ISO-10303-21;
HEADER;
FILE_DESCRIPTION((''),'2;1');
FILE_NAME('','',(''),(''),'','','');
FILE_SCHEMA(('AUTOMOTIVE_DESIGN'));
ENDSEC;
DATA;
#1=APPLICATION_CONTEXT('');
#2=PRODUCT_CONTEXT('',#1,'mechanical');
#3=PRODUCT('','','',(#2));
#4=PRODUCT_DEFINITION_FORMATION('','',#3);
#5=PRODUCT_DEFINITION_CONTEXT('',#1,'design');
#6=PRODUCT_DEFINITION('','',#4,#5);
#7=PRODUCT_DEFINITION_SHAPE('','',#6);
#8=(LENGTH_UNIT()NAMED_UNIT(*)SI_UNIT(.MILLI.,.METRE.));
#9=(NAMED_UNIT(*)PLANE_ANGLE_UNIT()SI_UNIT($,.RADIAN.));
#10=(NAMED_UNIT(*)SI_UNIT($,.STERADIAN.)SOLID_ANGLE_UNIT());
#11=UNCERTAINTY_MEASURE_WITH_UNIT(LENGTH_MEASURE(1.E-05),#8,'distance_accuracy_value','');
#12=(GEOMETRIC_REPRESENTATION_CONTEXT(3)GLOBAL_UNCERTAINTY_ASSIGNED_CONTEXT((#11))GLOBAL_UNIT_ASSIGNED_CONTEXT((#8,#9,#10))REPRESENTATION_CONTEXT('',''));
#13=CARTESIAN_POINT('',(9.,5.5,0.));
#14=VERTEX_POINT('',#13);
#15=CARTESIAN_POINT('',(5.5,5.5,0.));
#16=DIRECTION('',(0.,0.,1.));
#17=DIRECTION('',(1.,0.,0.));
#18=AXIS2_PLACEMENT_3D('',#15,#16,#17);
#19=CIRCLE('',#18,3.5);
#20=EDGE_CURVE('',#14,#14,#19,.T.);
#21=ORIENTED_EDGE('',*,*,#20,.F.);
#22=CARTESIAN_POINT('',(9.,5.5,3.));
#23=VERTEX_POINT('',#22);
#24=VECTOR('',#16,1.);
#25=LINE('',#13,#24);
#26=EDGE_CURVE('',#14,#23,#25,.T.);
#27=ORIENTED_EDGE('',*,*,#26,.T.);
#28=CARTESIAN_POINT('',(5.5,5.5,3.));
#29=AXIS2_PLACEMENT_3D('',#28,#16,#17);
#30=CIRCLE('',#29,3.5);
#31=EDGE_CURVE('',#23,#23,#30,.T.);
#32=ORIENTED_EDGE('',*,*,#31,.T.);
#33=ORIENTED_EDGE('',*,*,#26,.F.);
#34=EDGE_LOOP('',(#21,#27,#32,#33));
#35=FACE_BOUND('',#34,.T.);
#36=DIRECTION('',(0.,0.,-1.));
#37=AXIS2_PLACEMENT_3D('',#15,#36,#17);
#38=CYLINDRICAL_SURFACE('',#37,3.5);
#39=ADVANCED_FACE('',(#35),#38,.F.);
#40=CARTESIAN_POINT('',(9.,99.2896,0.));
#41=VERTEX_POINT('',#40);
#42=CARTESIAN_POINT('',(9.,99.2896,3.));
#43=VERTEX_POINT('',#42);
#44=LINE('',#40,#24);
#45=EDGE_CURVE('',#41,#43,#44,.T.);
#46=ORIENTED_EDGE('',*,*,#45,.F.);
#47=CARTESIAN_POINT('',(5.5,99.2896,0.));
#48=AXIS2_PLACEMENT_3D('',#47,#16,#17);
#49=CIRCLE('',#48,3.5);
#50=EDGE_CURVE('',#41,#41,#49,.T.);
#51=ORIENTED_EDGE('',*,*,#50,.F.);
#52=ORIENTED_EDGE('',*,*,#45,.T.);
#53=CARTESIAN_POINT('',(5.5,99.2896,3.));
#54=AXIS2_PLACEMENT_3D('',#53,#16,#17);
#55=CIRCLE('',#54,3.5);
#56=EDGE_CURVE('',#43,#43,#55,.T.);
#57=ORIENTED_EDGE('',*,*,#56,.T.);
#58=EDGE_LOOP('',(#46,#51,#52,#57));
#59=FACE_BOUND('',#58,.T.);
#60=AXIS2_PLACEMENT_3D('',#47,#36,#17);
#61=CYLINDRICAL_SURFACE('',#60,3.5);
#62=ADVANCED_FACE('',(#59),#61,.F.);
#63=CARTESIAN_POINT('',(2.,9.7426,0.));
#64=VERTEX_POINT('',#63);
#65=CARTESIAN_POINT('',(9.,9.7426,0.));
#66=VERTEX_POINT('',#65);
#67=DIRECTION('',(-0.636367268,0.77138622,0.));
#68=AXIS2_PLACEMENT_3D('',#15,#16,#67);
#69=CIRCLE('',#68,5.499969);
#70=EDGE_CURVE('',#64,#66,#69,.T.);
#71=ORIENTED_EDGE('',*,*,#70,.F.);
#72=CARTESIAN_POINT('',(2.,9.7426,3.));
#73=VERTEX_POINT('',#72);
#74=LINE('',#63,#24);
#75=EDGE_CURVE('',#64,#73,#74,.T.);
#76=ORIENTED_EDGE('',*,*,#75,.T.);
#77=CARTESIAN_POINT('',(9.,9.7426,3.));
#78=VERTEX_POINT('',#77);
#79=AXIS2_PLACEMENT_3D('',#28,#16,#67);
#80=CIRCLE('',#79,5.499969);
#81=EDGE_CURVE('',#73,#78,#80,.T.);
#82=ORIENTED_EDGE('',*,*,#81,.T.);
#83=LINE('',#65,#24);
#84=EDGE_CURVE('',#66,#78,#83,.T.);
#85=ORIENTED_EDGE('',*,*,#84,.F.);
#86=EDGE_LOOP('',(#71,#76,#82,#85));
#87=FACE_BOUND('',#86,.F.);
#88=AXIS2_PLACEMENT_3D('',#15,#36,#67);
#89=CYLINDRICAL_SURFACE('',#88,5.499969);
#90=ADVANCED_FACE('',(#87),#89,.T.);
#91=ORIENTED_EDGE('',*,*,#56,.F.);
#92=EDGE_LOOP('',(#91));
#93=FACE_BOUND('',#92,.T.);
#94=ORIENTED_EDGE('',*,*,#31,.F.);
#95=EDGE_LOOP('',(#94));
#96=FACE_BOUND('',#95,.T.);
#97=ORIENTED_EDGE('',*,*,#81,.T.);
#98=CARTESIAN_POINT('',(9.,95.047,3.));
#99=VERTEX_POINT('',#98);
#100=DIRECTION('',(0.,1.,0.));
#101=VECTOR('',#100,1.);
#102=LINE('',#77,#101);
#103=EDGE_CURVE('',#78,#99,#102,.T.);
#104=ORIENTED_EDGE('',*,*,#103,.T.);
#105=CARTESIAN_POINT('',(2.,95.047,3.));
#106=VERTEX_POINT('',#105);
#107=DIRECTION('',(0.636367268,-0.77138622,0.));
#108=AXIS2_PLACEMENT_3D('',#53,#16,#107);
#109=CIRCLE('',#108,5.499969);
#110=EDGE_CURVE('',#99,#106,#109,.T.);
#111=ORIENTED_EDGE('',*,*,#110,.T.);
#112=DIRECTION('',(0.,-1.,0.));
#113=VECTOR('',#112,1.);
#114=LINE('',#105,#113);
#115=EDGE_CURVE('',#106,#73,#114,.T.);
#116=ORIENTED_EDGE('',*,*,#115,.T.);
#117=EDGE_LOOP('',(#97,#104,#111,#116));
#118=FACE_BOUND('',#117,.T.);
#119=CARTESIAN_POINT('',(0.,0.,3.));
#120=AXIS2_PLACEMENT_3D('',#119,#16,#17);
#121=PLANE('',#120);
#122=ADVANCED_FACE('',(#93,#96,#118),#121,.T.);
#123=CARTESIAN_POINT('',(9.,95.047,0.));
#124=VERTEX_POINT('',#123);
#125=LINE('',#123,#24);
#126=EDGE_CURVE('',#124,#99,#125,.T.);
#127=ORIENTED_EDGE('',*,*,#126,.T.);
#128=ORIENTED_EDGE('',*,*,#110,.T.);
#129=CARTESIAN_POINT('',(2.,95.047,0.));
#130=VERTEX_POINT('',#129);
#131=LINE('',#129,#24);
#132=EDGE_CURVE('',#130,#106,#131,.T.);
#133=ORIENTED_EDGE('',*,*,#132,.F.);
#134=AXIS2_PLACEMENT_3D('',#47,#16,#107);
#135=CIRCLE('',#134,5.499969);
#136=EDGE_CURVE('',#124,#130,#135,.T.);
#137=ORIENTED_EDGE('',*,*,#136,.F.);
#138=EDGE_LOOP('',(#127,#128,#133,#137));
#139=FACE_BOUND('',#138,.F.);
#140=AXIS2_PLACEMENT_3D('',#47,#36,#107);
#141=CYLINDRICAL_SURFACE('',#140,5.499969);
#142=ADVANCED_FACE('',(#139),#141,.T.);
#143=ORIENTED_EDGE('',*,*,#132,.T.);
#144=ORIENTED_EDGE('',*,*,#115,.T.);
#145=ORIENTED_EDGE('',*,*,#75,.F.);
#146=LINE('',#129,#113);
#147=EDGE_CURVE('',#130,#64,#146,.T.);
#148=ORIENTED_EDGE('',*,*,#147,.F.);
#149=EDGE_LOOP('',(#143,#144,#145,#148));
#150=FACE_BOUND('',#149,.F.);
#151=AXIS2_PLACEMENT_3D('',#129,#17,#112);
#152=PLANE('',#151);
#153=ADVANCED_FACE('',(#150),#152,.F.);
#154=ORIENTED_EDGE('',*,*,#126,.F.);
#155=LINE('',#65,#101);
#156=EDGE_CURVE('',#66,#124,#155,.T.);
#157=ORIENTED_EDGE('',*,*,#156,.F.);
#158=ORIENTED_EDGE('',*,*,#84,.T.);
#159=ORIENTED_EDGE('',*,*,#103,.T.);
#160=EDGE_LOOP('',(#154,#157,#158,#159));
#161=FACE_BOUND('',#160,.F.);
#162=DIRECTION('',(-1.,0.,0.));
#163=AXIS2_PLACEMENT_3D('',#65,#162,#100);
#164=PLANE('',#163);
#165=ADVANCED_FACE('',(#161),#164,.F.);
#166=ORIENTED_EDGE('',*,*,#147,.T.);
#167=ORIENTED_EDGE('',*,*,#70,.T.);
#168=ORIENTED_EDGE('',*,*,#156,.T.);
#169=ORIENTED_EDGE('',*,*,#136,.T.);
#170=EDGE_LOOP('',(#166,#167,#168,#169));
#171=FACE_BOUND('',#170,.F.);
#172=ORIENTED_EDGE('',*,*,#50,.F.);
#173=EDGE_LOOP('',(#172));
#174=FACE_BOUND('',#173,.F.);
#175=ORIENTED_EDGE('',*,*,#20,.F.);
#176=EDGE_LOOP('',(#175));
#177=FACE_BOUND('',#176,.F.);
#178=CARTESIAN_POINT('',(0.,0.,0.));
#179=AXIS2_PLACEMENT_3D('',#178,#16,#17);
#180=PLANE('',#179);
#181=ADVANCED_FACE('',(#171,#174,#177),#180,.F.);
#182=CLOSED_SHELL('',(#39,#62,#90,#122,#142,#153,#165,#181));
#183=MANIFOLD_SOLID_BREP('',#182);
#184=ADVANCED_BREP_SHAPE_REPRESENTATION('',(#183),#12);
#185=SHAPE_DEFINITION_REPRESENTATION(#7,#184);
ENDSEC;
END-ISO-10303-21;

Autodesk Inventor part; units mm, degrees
ref_plane "YZ Plane" through (0, 0, 0) normal (1, 0, 0) x (0, 1, 0)
ref_plane "XZ Plane" through (0, 0, 0) normal (0, 1, 0) x (-1, 0, 0)
ref_plane "XY Plane" through (0, 0, 0) normal (0, 0, 1) x (1, 0, 0)
sketch "Sketch6" plane through (0, 0, 0) normal (0, 0, 1) x (1, 0, 0)
  arc A0 (9, 95.047) -> (2, 95.047) centre (5.5, 99.2896) ccw
  arc A1 (2, 9.7426) -> (9, 9.7426) centre (5.5, 5.5) ccw
  circle A2 centre (5.5, 5.5) radius 3.5
  circle A3 centre (5.5, 99.2896) radius 3.5
  line L0 (2, 95.047) -> (2, 9.7426)
  line L1 (9, 9.7426) -> (9, 95.047)
  point P0 (0, 0)
  dimension "d89" = 93.7896
  dimension "d90" = 7
  dimension "d91" = 7
  dimension "d92" = 5.5
  dimension "d93" = 7
  dimension "d94" = 5.5
extrude "Extrusion3" add sketch "Sketch6" along normal blind 3
properties part number "4P.01.02.28-BC-v1-Final Aileron L3 80deg" material "Acrylic, Clear"
